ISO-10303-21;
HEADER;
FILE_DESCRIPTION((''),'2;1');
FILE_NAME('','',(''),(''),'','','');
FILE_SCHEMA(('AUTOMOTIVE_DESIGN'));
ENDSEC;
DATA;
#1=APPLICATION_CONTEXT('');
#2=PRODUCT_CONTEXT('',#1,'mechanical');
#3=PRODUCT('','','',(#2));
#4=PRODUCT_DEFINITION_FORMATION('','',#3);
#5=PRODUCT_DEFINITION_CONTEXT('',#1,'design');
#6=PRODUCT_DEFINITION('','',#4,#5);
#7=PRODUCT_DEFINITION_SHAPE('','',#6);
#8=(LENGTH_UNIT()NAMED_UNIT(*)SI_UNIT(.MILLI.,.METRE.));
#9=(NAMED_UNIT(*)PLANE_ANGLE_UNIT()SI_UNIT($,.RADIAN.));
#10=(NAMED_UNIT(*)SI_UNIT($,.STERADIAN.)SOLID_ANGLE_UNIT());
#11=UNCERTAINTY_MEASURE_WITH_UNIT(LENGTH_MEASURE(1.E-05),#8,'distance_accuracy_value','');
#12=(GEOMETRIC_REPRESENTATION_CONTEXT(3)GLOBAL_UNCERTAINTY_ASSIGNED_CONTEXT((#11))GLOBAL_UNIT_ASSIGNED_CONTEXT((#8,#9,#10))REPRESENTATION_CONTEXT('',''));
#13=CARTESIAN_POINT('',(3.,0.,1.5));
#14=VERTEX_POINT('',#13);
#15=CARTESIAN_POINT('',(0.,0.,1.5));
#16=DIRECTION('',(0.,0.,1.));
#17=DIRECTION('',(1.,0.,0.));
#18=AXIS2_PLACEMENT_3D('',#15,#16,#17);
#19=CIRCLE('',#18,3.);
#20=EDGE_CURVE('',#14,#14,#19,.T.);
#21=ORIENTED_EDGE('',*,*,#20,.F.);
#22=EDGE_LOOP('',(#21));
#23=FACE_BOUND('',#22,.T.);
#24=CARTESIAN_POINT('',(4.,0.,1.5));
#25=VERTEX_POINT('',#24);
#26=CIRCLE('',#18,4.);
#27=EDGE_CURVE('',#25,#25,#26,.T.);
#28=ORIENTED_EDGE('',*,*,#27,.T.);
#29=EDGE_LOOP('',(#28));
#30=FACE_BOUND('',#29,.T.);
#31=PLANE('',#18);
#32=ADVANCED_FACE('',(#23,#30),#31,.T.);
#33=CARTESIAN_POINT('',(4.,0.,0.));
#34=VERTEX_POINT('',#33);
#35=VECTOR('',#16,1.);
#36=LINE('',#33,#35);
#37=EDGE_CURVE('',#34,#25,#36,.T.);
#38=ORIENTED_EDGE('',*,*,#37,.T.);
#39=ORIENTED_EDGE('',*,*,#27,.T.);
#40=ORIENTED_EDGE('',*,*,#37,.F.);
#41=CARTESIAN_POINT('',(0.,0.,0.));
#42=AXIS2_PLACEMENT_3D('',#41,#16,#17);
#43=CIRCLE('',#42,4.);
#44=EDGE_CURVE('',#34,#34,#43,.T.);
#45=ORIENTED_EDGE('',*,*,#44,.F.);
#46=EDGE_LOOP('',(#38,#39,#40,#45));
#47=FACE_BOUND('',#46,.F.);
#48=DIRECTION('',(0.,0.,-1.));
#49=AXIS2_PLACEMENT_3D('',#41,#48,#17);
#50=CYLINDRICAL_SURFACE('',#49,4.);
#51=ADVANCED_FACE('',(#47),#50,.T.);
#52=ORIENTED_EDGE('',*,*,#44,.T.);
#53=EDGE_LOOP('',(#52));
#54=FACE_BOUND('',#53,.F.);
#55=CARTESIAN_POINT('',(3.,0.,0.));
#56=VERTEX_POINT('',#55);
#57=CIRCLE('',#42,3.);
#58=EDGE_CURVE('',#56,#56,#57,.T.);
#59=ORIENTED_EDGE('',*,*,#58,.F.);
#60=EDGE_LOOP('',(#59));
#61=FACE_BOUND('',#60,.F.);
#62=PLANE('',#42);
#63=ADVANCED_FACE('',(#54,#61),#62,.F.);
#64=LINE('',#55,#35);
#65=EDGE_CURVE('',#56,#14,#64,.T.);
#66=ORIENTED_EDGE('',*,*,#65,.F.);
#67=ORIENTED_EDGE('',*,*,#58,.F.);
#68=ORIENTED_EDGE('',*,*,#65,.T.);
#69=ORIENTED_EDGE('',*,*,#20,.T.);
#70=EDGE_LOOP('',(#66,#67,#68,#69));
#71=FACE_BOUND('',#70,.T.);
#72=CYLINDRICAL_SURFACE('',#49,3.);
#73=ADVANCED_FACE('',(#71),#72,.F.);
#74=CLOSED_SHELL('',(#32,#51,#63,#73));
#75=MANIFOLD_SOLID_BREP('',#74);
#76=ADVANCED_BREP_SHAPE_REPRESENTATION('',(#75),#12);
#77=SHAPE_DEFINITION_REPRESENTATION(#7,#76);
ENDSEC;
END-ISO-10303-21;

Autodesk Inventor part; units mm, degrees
ref_plane "YZ Plane" through (0, 0, 0) normal (1, 0, 0) x (0, 1, 0)
ref_plane "XZ Plane" through (0, 0, 0) normal (0, 1, 0) x (-1, 0, 0)
ref_plane "XY Plane" through (0, 0, 0) normal (0, 0, 1) x (1, 0, 0)
sketch "スケッチ1" plane through (0, 0, 0) normal (0, 0, 1) x (1, 0, 0)
  circle A0 centre (0, 0) radius 3
  circle A1 centre (0, 0) radius 4
  dimension "d0" = 6
  dimension "d1" = 8
extrude "押し出し1" add sketch "スケッチ1" along normal blind 1.5
properties part number "オイレス060801.5" material "アセタール樹脂、黒"
